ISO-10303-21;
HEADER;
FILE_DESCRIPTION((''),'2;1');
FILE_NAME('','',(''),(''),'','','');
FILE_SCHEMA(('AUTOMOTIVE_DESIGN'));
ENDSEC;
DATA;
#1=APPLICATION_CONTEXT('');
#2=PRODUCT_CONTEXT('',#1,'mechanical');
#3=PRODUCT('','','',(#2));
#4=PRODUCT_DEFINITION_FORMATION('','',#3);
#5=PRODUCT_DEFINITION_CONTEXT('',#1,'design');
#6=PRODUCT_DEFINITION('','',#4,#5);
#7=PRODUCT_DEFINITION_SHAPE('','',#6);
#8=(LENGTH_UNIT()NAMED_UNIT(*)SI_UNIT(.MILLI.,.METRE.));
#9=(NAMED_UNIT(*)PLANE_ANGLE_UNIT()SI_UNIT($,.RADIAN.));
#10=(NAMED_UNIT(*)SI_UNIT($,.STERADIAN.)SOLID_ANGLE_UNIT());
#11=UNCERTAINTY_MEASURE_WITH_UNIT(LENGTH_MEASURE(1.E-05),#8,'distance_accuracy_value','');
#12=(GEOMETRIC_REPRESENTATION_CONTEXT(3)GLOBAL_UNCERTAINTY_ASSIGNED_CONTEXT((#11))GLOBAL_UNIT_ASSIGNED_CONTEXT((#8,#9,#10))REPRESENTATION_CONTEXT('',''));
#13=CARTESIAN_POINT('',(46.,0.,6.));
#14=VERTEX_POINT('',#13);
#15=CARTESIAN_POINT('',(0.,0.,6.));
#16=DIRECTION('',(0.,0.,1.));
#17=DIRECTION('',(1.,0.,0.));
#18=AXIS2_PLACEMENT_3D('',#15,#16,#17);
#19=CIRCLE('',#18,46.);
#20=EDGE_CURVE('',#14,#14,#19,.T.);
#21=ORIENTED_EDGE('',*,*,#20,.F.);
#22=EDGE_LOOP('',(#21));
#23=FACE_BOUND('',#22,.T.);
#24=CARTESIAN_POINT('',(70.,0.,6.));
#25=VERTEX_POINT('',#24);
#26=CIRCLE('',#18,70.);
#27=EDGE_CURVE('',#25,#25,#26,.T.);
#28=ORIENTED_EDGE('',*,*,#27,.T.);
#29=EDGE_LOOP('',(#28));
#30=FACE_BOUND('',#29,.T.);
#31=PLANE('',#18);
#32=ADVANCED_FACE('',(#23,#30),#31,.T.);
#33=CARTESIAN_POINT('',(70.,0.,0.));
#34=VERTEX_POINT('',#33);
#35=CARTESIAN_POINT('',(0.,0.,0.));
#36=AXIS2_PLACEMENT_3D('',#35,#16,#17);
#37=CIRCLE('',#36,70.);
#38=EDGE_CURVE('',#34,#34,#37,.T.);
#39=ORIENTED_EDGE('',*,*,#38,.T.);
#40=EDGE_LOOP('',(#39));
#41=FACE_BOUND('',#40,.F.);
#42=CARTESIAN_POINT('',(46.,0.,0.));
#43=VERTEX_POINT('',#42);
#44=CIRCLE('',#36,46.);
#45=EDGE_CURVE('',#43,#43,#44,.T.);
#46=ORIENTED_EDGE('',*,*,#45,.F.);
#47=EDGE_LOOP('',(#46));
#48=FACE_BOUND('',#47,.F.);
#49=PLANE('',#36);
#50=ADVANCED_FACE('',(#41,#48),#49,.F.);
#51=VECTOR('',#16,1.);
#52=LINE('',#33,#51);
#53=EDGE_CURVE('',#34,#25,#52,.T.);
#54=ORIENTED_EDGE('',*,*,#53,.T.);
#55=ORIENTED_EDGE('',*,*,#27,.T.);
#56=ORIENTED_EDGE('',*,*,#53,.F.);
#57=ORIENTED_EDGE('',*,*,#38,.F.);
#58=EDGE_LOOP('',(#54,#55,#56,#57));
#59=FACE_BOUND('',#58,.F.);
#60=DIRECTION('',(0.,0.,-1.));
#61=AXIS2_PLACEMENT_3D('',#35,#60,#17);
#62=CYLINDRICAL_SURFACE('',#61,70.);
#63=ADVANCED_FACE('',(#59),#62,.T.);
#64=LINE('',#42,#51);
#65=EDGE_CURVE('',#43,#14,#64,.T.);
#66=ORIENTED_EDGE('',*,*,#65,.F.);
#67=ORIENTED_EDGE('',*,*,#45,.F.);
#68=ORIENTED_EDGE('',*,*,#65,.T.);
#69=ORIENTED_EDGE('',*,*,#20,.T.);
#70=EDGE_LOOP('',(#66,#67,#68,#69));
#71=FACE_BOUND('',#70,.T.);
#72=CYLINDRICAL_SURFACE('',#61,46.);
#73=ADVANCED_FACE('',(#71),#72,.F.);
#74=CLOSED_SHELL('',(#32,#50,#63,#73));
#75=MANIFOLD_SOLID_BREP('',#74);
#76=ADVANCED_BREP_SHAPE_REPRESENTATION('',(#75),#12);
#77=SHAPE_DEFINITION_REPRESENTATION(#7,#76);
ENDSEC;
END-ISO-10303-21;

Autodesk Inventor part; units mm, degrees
ref_plane "YZ Plane" through (0, 0, 0) normal (1, 0, 0) x (0, 1, 0)
ref_plane "XZ Plane" through (0, 0, 0) normal (0, 1, 0) x (-1, 0, 0)
ref_plane "XY Plane" through (0, 0, 0) normal (0, 0, 1) x (1, 0, 0)
sketch "Sketch2" plane through (0, 0, 0) normal (0, 0, 1) x (1, 0, 0)
  circle A0 centre (0, 0) radius 46
  circle A1 centre (0, 0) radius 70
  dimension "d25" = 92
  dimension "d27" = 140
extrude "Plate2" add sketch "Sketch2" along normal blind 6
equation "\"d14\" = Thickness"
equation "\"BendReliefWidth\" = Thickness"
equation "\"BendReliefDepth\" = 0.5 * Thickness"
equation "\"CornerReliefSize\" = 4 * Thickness"
equation "\"MinimumRemnant\" = 2 * Thickness"
equation "\"TransitionRadius\" = BendRadius"
equation "\"JacobiRadiusSize\" = BendRadius"
equation "\"GapSize\" = Thickness"
equation "\"Thickness\" = 6"
equation "\"BendRadius\" = 6"
properties part number "SLM 1432 FDS free flange DN90_1200" material "Steel"
